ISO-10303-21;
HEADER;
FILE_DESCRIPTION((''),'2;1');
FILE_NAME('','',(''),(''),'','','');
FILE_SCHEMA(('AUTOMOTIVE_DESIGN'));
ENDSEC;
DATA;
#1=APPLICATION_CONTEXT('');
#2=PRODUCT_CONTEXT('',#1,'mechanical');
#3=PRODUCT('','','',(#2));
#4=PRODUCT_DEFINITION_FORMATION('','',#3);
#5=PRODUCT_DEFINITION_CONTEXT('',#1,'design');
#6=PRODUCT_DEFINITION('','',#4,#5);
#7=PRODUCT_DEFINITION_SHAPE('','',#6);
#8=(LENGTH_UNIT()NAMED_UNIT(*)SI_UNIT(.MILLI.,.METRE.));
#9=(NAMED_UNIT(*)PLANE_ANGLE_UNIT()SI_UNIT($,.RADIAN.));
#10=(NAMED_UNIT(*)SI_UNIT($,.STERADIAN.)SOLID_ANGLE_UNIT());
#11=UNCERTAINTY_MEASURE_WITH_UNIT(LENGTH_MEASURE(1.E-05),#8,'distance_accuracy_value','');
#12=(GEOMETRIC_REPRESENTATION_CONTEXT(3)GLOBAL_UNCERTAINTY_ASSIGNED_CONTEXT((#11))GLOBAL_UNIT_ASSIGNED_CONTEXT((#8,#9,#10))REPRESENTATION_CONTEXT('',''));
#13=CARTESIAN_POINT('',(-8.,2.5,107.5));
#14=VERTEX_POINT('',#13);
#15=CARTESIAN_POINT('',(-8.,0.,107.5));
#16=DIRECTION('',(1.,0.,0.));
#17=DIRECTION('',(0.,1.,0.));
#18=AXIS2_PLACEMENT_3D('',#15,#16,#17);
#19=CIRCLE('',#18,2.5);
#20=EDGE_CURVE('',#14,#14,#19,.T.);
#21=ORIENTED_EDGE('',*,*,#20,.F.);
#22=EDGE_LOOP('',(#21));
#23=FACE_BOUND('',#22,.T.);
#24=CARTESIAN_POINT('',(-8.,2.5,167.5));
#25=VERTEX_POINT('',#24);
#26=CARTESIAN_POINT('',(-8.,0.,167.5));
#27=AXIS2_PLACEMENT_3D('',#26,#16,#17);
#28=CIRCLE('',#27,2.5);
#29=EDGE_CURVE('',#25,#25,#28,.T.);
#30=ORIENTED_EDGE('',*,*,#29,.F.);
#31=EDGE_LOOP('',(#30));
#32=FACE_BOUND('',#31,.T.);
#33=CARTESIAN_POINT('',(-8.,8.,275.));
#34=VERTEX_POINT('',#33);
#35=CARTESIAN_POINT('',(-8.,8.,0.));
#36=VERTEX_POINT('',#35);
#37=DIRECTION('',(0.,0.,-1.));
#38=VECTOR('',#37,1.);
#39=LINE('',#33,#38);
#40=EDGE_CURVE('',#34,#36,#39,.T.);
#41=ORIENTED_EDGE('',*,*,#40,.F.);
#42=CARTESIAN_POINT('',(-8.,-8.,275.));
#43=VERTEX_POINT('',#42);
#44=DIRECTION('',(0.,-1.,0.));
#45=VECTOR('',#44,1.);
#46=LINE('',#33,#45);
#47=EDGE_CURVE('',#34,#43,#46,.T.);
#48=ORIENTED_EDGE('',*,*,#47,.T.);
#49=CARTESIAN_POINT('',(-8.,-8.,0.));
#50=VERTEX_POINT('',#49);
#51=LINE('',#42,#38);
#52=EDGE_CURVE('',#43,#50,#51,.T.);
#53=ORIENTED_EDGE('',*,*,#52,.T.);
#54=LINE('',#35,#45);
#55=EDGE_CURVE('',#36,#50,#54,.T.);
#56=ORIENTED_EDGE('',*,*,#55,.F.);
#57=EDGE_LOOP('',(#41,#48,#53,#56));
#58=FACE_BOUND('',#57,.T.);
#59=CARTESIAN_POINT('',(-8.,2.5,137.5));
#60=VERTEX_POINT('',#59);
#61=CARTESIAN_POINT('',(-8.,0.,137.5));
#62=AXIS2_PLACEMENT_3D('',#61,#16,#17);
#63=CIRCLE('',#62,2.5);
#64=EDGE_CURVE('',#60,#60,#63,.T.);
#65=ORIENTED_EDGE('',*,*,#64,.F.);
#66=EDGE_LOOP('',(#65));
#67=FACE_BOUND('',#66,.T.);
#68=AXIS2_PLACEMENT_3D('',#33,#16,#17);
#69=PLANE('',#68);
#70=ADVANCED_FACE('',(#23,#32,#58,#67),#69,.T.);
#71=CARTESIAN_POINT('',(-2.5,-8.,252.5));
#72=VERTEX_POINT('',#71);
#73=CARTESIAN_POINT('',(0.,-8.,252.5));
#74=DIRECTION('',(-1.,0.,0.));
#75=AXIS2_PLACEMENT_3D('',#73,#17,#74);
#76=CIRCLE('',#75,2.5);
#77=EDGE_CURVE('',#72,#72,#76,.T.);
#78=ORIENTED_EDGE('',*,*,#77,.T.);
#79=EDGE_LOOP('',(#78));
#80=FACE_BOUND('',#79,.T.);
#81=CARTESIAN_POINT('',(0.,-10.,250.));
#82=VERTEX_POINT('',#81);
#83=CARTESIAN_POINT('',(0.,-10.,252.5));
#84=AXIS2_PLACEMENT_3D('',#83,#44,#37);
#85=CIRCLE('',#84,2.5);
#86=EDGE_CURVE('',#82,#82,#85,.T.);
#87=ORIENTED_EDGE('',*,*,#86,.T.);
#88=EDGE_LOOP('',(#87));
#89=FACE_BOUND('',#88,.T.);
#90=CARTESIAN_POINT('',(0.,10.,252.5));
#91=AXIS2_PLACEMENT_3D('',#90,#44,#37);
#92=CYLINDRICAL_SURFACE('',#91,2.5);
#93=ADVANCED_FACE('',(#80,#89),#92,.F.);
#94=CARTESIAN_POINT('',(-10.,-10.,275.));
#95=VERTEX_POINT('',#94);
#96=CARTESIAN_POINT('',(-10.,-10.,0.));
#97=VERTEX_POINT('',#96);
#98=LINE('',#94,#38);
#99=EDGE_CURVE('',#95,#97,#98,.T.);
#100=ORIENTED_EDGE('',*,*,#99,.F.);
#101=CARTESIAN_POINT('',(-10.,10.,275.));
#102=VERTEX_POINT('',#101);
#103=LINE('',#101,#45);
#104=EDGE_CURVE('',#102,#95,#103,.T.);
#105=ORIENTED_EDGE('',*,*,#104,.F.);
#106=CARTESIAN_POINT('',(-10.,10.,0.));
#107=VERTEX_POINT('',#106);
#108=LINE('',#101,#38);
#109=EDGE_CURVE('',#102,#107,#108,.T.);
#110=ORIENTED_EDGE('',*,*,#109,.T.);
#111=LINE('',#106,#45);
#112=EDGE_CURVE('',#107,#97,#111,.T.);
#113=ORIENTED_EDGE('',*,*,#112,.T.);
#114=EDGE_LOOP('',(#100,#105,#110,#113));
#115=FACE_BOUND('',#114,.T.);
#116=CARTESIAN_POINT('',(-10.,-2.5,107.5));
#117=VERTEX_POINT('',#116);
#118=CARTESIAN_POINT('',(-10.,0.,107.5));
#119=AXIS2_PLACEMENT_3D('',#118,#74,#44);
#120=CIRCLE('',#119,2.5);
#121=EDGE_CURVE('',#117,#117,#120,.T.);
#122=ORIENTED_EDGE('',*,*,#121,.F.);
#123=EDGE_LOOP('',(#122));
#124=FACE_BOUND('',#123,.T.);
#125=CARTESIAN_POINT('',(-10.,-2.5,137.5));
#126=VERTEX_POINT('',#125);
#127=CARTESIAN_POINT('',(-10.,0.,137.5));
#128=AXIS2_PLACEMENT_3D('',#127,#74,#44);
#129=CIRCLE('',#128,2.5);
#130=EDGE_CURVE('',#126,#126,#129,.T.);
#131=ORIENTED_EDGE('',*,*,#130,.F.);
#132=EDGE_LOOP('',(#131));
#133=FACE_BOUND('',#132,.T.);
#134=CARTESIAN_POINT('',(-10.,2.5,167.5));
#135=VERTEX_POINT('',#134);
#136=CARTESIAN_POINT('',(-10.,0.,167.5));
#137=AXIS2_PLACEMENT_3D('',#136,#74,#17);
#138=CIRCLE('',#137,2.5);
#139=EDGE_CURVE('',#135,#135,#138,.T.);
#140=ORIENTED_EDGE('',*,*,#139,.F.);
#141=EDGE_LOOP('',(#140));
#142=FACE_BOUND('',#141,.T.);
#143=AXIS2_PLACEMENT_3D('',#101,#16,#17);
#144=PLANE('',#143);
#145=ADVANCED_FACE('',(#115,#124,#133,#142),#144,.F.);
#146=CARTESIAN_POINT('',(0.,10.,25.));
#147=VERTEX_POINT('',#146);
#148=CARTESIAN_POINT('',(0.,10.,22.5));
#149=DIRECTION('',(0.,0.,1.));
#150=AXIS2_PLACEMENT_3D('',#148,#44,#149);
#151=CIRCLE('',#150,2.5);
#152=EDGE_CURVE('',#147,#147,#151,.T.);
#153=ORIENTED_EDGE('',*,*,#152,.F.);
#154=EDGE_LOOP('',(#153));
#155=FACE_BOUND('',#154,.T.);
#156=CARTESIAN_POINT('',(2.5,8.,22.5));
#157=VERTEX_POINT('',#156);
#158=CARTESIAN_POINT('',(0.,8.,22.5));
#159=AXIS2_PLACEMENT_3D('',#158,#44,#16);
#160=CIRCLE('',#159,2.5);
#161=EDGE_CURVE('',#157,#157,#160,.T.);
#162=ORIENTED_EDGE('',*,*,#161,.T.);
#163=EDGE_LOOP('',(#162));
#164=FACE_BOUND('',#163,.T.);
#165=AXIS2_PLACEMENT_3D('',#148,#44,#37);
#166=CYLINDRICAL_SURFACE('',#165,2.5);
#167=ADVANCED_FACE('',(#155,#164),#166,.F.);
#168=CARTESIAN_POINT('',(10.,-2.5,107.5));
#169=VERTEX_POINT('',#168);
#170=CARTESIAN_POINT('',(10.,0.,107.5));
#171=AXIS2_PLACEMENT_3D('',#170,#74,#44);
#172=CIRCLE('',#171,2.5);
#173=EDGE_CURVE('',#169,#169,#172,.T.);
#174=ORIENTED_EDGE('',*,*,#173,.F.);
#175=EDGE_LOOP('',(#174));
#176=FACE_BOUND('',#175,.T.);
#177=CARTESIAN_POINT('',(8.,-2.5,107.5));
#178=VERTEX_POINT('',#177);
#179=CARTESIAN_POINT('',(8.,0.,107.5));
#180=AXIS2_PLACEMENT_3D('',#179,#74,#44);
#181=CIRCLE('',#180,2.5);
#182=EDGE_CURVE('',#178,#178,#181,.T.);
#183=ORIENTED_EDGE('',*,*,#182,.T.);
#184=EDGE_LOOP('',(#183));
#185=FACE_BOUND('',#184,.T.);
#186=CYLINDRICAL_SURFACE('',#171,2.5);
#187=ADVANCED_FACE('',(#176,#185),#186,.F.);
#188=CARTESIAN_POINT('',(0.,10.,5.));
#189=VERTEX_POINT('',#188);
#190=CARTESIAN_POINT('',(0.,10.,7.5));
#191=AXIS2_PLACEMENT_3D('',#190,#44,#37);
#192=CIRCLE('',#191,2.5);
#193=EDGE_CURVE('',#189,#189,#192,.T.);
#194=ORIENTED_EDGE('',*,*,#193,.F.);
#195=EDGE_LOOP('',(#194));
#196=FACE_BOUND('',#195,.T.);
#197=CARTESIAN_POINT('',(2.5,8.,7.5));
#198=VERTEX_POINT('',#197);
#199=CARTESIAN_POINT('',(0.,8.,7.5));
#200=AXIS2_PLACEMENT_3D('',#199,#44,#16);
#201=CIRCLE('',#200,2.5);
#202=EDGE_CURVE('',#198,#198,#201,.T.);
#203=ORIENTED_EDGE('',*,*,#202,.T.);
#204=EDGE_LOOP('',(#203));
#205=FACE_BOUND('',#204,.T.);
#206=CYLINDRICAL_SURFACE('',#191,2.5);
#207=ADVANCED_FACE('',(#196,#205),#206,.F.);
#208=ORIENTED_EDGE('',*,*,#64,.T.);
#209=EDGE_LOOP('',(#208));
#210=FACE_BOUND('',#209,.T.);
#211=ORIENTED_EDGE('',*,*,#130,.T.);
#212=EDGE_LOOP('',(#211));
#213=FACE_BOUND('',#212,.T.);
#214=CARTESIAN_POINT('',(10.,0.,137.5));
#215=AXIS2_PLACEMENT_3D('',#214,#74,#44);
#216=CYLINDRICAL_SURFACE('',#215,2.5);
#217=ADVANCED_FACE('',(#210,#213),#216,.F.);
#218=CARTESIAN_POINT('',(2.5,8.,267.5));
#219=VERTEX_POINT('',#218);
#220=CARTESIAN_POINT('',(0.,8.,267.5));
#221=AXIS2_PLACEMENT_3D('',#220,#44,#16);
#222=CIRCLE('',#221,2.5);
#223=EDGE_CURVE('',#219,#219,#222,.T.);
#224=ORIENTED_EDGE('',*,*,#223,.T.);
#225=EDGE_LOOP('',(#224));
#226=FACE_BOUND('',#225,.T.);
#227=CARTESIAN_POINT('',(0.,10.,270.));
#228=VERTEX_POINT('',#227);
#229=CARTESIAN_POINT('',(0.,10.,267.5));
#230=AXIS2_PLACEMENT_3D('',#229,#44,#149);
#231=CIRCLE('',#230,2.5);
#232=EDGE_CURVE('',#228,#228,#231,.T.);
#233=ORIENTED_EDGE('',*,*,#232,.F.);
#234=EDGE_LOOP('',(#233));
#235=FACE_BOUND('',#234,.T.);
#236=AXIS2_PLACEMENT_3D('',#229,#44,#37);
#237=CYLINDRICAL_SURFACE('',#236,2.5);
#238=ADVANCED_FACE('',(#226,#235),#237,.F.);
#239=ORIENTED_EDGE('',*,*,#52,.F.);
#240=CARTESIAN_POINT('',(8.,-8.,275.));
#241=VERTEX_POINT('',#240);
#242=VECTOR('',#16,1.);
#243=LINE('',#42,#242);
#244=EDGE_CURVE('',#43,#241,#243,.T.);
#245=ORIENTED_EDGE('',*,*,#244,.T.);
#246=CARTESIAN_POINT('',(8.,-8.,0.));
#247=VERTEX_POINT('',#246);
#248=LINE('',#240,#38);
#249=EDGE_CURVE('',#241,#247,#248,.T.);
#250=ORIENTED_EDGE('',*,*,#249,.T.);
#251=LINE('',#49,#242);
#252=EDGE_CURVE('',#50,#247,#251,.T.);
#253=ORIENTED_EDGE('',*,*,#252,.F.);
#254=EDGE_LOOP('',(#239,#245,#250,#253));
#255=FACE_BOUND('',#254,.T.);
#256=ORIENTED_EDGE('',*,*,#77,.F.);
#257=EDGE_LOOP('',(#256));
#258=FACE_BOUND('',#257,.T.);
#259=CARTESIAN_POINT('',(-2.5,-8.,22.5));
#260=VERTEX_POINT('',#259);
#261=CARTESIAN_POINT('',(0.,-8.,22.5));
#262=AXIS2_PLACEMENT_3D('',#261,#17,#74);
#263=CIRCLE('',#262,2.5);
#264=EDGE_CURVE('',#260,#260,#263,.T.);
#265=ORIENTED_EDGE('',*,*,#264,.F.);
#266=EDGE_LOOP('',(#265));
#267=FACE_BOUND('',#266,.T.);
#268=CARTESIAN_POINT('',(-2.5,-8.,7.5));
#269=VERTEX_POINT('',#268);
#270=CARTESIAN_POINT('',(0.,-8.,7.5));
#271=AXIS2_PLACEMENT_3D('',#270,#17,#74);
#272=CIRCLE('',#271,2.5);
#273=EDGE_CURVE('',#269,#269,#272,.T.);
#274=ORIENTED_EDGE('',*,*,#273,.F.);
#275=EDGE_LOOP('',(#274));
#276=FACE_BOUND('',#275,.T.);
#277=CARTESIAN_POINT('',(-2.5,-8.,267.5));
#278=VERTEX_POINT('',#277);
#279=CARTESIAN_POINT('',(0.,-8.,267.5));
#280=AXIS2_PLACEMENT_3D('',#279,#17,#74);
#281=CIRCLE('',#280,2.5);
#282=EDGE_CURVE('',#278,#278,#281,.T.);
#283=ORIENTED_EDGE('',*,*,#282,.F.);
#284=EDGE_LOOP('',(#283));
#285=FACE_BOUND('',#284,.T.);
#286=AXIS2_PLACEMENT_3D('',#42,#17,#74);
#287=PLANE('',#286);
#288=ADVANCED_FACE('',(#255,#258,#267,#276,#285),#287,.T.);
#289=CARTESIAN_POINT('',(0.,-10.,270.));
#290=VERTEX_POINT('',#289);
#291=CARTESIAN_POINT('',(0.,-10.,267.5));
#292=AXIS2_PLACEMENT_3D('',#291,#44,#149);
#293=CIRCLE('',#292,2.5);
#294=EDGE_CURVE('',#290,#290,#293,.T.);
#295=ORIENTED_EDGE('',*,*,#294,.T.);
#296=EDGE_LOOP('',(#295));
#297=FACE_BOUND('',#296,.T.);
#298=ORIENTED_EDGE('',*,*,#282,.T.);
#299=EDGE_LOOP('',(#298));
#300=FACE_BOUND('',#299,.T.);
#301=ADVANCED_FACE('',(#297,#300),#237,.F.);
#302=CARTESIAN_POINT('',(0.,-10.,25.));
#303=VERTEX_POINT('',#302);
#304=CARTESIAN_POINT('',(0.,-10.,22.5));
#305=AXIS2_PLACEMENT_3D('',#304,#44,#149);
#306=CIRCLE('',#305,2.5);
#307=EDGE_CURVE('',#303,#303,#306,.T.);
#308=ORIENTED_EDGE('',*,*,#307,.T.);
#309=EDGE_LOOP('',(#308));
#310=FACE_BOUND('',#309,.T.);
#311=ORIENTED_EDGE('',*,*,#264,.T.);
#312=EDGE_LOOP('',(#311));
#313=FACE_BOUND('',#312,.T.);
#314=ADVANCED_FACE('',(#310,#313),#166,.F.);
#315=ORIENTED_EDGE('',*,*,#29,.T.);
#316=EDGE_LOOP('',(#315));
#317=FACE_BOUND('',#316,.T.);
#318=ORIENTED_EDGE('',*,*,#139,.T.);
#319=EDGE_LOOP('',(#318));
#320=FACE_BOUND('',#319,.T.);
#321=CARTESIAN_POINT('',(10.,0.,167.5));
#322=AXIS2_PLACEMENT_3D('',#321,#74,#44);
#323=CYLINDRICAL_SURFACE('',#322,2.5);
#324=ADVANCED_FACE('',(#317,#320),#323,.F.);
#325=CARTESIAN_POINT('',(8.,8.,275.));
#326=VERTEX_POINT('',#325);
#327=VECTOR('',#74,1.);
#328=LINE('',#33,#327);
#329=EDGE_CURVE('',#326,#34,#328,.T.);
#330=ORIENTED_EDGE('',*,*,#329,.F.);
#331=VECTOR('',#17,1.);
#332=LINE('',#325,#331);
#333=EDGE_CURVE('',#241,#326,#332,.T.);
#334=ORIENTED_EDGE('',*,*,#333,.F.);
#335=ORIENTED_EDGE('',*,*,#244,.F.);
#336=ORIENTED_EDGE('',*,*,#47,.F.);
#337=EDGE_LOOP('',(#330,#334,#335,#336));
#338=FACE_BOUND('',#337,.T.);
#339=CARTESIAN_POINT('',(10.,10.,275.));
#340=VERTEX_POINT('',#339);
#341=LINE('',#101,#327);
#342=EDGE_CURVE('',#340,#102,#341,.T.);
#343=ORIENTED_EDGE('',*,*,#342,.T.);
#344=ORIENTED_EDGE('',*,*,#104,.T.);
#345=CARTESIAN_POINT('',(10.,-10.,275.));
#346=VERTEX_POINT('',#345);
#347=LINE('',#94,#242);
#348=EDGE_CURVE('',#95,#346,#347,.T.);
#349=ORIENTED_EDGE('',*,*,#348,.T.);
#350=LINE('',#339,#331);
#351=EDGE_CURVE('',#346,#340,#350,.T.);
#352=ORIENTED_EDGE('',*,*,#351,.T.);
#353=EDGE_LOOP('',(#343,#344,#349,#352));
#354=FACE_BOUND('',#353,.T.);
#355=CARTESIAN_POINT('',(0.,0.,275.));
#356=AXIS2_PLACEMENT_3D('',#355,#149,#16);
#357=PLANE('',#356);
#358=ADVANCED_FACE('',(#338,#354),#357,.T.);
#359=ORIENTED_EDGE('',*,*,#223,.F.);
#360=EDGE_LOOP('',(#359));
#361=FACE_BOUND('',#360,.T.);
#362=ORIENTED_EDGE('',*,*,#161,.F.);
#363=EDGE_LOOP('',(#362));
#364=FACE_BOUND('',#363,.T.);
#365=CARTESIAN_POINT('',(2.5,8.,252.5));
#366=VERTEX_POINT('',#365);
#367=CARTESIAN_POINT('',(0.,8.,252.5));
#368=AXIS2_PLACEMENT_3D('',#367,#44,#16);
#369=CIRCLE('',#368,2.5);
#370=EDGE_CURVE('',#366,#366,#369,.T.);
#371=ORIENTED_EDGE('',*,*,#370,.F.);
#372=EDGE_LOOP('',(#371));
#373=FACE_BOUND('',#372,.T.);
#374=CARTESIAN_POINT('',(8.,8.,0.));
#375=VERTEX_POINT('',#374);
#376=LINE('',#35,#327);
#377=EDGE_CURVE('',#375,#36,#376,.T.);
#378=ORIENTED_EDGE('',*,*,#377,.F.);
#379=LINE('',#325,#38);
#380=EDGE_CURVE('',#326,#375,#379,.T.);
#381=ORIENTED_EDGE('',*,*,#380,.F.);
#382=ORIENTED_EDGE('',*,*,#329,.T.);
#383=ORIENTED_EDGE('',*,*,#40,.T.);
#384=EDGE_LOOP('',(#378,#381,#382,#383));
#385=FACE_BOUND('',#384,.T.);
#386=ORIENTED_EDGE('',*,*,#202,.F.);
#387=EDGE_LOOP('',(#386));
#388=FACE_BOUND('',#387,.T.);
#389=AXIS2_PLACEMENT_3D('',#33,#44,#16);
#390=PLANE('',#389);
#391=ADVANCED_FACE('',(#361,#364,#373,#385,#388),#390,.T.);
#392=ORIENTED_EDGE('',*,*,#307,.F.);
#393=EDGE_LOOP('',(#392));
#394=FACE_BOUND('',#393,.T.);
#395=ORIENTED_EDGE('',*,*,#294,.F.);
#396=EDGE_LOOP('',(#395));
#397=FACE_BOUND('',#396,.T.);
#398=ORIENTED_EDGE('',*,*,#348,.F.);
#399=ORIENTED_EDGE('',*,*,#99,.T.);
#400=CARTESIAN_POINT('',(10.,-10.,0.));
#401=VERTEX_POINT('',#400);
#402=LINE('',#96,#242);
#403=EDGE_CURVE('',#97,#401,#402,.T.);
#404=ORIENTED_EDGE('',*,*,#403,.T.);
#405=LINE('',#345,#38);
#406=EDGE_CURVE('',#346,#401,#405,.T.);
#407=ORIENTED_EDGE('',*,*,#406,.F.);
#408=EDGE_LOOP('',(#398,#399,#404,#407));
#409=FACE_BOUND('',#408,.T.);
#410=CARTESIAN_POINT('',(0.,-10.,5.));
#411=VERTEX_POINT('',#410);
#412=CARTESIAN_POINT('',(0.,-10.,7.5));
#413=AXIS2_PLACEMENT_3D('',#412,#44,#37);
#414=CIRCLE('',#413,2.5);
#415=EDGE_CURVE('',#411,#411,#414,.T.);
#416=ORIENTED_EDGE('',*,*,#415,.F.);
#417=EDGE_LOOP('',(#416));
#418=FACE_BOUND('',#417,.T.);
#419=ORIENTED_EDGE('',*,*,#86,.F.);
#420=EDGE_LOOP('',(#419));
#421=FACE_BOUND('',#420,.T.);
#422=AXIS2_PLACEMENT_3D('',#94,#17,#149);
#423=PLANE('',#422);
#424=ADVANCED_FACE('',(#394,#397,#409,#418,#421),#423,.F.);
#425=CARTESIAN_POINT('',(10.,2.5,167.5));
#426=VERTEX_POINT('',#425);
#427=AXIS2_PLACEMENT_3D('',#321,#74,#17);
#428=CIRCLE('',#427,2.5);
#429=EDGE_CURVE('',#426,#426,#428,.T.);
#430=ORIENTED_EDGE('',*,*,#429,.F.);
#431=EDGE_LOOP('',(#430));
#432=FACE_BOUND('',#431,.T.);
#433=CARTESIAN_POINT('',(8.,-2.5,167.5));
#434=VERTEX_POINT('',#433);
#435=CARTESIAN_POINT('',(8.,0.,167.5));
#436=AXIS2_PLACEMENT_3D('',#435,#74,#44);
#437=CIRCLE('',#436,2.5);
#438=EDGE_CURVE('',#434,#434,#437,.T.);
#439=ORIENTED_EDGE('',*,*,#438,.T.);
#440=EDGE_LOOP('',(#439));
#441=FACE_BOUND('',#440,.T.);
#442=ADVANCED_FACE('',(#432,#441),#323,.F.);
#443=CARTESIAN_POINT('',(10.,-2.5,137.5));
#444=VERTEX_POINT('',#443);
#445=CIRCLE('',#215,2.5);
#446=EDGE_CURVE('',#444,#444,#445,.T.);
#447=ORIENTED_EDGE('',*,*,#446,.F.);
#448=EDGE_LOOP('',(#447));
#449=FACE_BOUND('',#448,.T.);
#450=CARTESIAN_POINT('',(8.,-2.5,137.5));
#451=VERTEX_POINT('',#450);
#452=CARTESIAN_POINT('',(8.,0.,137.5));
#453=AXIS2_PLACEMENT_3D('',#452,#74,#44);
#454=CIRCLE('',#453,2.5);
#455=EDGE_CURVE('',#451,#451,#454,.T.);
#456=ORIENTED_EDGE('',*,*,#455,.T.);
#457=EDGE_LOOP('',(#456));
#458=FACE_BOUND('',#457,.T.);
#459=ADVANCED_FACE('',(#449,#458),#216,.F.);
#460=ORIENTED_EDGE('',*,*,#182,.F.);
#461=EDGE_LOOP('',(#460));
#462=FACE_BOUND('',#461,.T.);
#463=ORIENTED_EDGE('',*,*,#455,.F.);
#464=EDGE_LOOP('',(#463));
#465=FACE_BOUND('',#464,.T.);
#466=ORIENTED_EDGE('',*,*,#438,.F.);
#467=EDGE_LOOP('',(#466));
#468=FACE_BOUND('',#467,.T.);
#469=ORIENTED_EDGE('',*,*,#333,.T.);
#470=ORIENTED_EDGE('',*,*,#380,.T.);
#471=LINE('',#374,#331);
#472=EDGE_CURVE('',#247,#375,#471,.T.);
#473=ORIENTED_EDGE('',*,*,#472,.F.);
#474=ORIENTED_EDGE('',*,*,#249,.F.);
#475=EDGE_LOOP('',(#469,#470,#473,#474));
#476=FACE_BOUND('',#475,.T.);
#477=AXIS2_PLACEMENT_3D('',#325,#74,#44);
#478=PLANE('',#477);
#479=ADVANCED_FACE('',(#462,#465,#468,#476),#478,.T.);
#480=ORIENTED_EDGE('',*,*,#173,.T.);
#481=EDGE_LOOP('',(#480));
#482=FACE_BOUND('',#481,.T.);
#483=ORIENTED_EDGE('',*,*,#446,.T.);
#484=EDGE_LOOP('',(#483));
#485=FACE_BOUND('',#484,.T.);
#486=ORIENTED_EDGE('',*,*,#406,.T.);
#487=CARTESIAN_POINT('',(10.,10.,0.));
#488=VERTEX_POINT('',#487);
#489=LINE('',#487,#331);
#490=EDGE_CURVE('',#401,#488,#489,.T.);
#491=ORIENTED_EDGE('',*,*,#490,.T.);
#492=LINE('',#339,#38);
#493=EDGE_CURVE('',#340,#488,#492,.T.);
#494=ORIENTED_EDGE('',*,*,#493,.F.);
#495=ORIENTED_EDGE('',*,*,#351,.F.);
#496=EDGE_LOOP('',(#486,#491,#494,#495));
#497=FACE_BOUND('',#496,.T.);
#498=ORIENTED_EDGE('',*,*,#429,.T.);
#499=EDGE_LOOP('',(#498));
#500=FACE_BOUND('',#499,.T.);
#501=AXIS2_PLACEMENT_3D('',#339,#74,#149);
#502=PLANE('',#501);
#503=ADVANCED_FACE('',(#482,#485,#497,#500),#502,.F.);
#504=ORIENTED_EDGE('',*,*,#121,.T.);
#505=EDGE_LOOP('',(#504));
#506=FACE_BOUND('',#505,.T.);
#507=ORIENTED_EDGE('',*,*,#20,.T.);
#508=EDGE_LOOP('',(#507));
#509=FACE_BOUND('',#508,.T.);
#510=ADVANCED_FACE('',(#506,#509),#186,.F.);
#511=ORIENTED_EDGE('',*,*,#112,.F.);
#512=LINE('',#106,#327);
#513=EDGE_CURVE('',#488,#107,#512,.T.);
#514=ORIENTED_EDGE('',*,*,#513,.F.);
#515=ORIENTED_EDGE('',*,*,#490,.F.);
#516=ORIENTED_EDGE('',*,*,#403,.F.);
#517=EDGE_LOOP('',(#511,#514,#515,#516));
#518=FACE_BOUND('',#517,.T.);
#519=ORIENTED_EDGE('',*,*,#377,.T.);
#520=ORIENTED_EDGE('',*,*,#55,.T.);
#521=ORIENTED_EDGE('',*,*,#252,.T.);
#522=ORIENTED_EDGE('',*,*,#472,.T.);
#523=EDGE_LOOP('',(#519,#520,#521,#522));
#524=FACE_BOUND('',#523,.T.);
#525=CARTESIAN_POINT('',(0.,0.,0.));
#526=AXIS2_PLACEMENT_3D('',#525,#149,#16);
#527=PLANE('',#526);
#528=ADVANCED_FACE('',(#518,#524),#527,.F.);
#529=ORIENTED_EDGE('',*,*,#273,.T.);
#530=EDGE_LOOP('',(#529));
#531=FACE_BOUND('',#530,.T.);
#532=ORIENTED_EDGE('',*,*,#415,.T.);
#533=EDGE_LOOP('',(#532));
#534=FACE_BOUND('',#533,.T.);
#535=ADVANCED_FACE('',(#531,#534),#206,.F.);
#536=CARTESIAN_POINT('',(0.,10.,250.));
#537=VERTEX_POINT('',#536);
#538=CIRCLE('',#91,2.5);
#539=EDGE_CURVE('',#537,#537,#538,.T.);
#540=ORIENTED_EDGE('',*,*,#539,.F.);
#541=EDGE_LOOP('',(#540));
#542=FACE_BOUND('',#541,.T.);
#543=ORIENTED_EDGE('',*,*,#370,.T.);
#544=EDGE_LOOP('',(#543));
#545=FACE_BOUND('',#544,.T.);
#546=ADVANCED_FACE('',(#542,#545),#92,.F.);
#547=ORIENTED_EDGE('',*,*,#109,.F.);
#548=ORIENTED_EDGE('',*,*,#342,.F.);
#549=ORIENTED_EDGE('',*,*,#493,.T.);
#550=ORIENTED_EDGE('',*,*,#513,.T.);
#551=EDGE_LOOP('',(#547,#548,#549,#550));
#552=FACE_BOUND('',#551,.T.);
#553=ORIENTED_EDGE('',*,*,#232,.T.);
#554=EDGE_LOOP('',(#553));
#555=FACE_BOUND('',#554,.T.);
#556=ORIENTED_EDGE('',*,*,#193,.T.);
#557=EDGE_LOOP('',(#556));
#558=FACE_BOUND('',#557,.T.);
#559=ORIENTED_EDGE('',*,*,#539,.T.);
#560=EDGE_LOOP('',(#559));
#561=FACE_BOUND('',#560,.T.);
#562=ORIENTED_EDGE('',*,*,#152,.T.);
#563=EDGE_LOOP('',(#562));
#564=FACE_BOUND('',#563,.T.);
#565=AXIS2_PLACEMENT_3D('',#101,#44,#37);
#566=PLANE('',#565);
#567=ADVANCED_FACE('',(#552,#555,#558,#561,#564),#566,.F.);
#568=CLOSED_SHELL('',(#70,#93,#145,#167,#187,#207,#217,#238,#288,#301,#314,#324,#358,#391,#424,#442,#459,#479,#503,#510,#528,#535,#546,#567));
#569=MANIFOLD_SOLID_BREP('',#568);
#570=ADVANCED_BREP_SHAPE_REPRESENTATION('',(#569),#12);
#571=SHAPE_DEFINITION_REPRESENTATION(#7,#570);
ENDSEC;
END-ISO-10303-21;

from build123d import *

# Parameters (mm, degrees)
SKETCH_1_W          = 20
SKETCH_1_H          = 20
SKETCH_1_W_2        = 16
SKETCH_1_H_2        = 16
EXTRUDE_1_DEPTH     = 275
SKETCH_3_R          = 2.5
CUT_EXTRUDE_2_DEPTH = 276.907593226
SKETCH_4_R          = 2.5
CUT_EXTRUDE_3_DEPTH = 276.907593226


with BuildPart() as part:
    # 草图1 → 凸台-拉伸1 (new body)
    with BuildSketch(Plane.XY):
        Rectangle(SKETCH_1_W, SKETCH_1_H)
        Rectangle(SKETCH_1_W_2, SKETCH_1_H_2, mode=Mode.SUBTRACT)
    extrude(amount=EXTRUDE_1_DEPTH)

    # 草图3 → 切除-拉伸2 (cut, through all)
    with BuildSketch(Plane.XZ.offset(10)):
        with Locations(Location((0, 7.5, 0), (0, 0, 270))):
            Circle(SKETCH_3_R)
        with Locations(Location((0, 267.5, 0), (0, 0, 180))):
            Circle(SKETCH_3_R)
        with Locations(Location((0, 22.5, 0), (0, 0, 180))):
            Circle(SKETCH_3_R)
        with Locations(Location((0, 252.5, 0), (0, 0, 270))):
            Circle(SKETCH_3_R)
    extrude(amount=-CUT_EXTRUDE_2_DEPTH, mode=Mode.SUBTRACT)

    # 草图4 → 切除-拉伸3 (cut, through all)
    with BuildSketch(Plane.ZY.offset(10)):
        with Locations(Location((107.5, 0, 0), (0, 0, 270))):
            Circle(SKETCH_4_R)
        with Locations(Location((167.5, 0, 0), (0, 0, 90))):
            Circle(SKETCH_4_R)
        with Locations(Location((137.5, 0, 0), (0, 0, 270))):
            Circle(SKETCH_4_R)
    extrude(amount=-CUT_EXTRUDE_3_DEPTH, mode=Mode.SUBTRACT)


solid = part.part
